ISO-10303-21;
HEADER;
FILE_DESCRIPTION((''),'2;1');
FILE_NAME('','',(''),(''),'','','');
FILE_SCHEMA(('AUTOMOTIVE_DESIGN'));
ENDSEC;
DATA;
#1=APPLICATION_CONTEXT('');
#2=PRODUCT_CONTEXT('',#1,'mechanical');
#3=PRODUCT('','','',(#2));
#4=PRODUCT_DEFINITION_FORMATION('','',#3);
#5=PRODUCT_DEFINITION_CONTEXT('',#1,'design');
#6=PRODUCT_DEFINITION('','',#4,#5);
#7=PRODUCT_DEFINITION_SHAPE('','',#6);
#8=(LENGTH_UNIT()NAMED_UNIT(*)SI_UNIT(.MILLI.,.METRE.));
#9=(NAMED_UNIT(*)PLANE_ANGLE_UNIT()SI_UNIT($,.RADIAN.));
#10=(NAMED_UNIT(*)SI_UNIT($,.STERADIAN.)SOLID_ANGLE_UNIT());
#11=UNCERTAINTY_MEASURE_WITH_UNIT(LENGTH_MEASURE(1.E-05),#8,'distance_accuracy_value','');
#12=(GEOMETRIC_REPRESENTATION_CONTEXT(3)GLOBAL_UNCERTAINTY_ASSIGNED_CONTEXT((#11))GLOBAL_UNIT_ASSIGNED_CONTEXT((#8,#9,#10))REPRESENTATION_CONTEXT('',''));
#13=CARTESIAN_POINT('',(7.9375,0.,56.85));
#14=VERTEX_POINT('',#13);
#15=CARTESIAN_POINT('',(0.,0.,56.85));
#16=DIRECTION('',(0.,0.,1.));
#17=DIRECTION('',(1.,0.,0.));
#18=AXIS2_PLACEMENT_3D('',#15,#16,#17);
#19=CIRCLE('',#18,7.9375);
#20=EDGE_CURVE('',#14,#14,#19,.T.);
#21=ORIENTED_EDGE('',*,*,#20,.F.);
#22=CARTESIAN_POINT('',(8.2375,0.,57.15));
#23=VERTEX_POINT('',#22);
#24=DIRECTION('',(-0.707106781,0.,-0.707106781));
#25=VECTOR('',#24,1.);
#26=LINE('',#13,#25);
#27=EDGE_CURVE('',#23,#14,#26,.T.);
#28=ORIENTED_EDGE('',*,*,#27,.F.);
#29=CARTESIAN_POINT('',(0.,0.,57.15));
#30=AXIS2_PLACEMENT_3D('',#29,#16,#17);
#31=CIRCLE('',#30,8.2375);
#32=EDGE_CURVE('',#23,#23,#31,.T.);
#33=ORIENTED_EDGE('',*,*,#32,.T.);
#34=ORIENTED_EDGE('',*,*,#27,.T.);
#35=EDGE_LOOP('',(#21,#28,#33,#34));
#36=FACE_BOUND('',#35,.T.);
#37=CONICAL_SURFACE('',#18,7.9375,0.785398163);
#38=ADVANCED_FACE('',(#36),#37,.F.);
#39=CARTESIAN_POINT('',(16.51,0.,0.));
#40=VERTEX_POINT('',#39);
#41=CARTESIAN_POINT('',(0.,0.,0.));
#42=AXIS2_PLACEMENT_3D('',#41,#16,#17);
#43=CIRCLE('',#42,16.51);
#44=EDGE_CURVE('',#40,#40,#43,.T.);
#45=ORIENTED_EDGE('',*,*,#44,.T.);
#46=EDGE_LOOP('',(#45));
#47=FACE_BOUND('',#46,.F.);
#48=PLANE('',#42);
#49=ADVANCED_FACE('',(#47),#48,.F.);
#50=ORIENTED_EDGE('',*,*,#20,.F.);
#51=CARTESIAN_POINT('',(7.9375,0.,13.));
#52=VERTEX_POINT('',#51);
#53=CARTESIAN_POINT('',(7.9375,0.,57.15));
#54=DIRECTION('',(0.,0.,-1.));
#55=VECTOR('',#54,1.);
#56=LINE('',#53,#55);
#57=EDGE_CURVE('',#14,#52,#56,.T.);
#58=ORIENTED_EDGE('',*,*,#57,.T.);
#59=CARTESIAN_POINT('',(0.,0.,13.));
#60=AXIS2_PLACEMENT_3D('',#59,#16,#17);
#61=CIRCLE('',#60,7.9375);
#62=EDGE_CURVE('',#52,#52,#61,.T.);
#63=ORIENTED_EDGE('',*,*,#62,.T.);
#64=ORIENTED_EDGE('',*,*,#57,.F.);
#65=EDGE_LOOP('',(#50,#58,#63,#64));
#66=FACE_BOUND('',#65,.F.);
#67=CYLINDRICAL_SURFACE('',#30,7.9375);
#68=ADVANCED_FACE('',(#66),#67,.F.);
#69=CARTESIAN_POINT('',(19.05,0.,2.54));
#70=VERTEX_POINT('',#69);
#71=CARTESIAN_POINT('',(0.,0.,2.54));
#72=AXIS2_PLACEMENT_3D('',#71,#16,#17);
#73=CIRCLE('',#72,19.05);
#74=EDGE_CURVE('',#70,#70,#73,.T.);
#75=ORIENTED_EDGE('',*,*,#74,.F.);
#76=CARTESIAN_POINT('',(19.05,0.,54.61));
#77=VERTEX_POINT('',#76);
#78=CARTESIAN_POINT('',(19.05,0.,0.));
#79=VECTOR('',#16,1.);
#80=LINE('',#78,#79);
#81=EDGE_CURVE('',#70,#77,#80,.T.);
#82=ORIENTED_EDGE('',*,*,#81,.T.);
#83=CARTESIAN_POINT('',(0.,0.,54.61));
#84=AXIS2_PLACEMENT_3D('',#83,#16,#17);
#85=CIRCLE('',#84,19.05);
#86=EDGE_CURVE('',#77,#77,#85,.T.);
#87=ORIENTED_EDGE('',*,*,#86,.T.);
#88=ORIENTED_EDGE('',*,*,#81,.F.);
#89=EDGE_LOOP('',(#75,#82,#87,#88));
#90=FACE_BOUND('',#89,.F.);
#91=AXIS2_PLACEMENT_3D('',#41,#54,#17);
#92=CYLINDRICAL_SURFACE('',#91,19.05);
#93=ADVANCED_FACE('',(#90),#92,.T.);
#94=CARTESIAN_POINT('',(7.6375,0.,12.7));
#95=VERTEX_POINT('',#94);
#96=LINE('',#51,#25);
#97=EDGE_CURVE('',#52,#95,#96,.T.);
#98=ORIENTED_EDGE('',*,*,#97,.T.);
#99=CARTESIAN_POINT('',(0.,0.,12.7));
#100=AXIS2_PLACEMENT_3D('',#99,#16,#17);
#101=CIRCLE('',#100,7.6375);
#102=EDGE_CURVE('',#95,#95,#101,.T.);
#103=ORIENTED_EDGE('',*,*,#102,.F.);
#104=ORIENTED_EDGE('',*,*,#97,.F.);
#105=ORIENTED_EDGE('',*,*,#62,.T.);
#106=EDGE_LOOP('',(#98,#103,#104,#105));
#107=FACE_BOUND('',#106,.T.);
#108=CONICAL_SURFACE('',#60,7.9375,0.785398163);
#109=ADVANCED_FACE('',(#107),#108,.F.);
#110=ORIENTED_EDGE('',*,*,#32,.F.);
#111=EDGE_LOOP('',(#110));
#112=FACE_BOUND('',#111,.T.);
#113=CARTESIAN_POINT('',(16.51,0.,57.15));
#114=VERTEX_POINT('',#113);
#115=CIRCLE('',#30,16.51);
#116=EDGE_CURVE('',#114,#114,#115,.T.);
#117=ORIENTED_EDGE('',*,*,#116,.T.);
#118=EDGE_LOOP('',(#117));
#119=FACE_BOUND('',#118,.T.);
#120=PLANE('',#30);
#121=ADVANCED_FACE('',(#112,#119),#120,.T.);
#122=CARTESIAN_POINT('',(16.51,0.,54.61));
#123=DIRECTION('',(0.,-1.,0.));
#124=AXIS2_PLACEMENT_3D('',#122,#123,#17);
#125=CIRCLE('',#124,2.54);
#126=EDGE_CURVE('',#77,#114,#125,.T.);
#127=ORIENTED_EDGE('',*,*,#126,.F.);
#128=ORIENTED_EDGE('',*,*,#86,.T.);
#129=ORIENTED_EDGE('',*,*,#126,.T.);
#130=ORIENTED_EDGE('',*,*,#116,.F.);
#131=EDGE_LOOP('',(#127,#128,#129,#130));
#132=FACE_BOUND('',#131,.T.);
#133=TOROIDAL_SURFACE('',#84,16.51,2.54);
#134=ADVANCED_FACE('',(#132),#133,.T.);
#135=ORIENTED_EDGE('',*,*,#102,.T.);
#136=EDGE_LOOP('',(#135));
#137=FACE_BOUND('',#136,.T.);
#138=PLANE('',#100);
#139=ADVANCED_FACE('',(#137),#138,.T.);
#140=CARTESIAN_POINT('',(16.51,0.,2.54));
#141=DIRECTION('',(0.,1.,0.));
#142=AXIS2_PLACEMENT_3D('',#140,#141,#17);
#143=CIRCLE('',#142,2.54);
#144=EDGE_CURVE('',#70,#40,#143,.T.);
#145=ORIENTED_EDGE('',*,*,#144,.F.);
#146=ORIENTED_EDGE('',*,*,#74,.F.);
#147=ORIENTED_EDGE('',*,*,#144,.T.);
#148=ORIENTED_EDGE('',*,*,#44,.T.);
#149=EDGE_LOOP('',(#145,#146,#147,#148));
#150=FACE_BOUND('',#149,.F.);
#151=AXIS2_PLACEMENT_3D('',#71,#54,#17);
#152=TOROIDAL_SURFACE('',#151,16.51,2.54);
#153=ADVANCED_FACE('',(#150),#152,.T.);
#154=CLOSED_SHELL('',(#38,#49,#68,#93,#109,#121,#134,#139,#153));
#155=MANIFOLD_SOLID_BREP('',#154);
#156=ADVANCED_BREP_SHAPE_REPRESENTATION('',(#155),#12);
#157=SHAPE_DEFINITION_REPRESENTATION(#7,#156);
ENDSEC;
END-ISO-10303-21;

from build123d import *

# Parameters (mm, degrees)
F0_R     = 19.05
F1_DEPTH = 57.15
F2_R     = 7.9375
F3_DEPTH = 44.45
F4_R     = 2.54
F5_SIZE  = 0.3


with BuildPart() as f1:
    # F0 (on Top) → F1 (new body)
    with BuildSketch(Plane.XY):
        Circle(F0_R)
    extrude(amount=F1_DEPTH)

    # F2 (on face) → F3 (cut)
    with BuildSketch(Plane.XY.offset(57.15)):
        Circle(F2_R)
    extrude(amount=-F3_DEPTH, mode=Mode.SUBTRACT)

    # F4
    f4_edges = [f1.edges().sort_by_distance(p)[0] for p in [
        (-19.05, 0, 0),
        (-19.05, 0, 57.15),
    ]]
    fillet(f4_edges, radius=F4_R)

    # F5
    f5_edges = [f1.edges().sort_by_distance(p)[0] for p in [
        (-7.9375, 0, 57.15),
        (-7.9375, 0, 12.7),
    ]]
    chamfer(f5_edges, length=F5_SIZE)


solid = f1.part
